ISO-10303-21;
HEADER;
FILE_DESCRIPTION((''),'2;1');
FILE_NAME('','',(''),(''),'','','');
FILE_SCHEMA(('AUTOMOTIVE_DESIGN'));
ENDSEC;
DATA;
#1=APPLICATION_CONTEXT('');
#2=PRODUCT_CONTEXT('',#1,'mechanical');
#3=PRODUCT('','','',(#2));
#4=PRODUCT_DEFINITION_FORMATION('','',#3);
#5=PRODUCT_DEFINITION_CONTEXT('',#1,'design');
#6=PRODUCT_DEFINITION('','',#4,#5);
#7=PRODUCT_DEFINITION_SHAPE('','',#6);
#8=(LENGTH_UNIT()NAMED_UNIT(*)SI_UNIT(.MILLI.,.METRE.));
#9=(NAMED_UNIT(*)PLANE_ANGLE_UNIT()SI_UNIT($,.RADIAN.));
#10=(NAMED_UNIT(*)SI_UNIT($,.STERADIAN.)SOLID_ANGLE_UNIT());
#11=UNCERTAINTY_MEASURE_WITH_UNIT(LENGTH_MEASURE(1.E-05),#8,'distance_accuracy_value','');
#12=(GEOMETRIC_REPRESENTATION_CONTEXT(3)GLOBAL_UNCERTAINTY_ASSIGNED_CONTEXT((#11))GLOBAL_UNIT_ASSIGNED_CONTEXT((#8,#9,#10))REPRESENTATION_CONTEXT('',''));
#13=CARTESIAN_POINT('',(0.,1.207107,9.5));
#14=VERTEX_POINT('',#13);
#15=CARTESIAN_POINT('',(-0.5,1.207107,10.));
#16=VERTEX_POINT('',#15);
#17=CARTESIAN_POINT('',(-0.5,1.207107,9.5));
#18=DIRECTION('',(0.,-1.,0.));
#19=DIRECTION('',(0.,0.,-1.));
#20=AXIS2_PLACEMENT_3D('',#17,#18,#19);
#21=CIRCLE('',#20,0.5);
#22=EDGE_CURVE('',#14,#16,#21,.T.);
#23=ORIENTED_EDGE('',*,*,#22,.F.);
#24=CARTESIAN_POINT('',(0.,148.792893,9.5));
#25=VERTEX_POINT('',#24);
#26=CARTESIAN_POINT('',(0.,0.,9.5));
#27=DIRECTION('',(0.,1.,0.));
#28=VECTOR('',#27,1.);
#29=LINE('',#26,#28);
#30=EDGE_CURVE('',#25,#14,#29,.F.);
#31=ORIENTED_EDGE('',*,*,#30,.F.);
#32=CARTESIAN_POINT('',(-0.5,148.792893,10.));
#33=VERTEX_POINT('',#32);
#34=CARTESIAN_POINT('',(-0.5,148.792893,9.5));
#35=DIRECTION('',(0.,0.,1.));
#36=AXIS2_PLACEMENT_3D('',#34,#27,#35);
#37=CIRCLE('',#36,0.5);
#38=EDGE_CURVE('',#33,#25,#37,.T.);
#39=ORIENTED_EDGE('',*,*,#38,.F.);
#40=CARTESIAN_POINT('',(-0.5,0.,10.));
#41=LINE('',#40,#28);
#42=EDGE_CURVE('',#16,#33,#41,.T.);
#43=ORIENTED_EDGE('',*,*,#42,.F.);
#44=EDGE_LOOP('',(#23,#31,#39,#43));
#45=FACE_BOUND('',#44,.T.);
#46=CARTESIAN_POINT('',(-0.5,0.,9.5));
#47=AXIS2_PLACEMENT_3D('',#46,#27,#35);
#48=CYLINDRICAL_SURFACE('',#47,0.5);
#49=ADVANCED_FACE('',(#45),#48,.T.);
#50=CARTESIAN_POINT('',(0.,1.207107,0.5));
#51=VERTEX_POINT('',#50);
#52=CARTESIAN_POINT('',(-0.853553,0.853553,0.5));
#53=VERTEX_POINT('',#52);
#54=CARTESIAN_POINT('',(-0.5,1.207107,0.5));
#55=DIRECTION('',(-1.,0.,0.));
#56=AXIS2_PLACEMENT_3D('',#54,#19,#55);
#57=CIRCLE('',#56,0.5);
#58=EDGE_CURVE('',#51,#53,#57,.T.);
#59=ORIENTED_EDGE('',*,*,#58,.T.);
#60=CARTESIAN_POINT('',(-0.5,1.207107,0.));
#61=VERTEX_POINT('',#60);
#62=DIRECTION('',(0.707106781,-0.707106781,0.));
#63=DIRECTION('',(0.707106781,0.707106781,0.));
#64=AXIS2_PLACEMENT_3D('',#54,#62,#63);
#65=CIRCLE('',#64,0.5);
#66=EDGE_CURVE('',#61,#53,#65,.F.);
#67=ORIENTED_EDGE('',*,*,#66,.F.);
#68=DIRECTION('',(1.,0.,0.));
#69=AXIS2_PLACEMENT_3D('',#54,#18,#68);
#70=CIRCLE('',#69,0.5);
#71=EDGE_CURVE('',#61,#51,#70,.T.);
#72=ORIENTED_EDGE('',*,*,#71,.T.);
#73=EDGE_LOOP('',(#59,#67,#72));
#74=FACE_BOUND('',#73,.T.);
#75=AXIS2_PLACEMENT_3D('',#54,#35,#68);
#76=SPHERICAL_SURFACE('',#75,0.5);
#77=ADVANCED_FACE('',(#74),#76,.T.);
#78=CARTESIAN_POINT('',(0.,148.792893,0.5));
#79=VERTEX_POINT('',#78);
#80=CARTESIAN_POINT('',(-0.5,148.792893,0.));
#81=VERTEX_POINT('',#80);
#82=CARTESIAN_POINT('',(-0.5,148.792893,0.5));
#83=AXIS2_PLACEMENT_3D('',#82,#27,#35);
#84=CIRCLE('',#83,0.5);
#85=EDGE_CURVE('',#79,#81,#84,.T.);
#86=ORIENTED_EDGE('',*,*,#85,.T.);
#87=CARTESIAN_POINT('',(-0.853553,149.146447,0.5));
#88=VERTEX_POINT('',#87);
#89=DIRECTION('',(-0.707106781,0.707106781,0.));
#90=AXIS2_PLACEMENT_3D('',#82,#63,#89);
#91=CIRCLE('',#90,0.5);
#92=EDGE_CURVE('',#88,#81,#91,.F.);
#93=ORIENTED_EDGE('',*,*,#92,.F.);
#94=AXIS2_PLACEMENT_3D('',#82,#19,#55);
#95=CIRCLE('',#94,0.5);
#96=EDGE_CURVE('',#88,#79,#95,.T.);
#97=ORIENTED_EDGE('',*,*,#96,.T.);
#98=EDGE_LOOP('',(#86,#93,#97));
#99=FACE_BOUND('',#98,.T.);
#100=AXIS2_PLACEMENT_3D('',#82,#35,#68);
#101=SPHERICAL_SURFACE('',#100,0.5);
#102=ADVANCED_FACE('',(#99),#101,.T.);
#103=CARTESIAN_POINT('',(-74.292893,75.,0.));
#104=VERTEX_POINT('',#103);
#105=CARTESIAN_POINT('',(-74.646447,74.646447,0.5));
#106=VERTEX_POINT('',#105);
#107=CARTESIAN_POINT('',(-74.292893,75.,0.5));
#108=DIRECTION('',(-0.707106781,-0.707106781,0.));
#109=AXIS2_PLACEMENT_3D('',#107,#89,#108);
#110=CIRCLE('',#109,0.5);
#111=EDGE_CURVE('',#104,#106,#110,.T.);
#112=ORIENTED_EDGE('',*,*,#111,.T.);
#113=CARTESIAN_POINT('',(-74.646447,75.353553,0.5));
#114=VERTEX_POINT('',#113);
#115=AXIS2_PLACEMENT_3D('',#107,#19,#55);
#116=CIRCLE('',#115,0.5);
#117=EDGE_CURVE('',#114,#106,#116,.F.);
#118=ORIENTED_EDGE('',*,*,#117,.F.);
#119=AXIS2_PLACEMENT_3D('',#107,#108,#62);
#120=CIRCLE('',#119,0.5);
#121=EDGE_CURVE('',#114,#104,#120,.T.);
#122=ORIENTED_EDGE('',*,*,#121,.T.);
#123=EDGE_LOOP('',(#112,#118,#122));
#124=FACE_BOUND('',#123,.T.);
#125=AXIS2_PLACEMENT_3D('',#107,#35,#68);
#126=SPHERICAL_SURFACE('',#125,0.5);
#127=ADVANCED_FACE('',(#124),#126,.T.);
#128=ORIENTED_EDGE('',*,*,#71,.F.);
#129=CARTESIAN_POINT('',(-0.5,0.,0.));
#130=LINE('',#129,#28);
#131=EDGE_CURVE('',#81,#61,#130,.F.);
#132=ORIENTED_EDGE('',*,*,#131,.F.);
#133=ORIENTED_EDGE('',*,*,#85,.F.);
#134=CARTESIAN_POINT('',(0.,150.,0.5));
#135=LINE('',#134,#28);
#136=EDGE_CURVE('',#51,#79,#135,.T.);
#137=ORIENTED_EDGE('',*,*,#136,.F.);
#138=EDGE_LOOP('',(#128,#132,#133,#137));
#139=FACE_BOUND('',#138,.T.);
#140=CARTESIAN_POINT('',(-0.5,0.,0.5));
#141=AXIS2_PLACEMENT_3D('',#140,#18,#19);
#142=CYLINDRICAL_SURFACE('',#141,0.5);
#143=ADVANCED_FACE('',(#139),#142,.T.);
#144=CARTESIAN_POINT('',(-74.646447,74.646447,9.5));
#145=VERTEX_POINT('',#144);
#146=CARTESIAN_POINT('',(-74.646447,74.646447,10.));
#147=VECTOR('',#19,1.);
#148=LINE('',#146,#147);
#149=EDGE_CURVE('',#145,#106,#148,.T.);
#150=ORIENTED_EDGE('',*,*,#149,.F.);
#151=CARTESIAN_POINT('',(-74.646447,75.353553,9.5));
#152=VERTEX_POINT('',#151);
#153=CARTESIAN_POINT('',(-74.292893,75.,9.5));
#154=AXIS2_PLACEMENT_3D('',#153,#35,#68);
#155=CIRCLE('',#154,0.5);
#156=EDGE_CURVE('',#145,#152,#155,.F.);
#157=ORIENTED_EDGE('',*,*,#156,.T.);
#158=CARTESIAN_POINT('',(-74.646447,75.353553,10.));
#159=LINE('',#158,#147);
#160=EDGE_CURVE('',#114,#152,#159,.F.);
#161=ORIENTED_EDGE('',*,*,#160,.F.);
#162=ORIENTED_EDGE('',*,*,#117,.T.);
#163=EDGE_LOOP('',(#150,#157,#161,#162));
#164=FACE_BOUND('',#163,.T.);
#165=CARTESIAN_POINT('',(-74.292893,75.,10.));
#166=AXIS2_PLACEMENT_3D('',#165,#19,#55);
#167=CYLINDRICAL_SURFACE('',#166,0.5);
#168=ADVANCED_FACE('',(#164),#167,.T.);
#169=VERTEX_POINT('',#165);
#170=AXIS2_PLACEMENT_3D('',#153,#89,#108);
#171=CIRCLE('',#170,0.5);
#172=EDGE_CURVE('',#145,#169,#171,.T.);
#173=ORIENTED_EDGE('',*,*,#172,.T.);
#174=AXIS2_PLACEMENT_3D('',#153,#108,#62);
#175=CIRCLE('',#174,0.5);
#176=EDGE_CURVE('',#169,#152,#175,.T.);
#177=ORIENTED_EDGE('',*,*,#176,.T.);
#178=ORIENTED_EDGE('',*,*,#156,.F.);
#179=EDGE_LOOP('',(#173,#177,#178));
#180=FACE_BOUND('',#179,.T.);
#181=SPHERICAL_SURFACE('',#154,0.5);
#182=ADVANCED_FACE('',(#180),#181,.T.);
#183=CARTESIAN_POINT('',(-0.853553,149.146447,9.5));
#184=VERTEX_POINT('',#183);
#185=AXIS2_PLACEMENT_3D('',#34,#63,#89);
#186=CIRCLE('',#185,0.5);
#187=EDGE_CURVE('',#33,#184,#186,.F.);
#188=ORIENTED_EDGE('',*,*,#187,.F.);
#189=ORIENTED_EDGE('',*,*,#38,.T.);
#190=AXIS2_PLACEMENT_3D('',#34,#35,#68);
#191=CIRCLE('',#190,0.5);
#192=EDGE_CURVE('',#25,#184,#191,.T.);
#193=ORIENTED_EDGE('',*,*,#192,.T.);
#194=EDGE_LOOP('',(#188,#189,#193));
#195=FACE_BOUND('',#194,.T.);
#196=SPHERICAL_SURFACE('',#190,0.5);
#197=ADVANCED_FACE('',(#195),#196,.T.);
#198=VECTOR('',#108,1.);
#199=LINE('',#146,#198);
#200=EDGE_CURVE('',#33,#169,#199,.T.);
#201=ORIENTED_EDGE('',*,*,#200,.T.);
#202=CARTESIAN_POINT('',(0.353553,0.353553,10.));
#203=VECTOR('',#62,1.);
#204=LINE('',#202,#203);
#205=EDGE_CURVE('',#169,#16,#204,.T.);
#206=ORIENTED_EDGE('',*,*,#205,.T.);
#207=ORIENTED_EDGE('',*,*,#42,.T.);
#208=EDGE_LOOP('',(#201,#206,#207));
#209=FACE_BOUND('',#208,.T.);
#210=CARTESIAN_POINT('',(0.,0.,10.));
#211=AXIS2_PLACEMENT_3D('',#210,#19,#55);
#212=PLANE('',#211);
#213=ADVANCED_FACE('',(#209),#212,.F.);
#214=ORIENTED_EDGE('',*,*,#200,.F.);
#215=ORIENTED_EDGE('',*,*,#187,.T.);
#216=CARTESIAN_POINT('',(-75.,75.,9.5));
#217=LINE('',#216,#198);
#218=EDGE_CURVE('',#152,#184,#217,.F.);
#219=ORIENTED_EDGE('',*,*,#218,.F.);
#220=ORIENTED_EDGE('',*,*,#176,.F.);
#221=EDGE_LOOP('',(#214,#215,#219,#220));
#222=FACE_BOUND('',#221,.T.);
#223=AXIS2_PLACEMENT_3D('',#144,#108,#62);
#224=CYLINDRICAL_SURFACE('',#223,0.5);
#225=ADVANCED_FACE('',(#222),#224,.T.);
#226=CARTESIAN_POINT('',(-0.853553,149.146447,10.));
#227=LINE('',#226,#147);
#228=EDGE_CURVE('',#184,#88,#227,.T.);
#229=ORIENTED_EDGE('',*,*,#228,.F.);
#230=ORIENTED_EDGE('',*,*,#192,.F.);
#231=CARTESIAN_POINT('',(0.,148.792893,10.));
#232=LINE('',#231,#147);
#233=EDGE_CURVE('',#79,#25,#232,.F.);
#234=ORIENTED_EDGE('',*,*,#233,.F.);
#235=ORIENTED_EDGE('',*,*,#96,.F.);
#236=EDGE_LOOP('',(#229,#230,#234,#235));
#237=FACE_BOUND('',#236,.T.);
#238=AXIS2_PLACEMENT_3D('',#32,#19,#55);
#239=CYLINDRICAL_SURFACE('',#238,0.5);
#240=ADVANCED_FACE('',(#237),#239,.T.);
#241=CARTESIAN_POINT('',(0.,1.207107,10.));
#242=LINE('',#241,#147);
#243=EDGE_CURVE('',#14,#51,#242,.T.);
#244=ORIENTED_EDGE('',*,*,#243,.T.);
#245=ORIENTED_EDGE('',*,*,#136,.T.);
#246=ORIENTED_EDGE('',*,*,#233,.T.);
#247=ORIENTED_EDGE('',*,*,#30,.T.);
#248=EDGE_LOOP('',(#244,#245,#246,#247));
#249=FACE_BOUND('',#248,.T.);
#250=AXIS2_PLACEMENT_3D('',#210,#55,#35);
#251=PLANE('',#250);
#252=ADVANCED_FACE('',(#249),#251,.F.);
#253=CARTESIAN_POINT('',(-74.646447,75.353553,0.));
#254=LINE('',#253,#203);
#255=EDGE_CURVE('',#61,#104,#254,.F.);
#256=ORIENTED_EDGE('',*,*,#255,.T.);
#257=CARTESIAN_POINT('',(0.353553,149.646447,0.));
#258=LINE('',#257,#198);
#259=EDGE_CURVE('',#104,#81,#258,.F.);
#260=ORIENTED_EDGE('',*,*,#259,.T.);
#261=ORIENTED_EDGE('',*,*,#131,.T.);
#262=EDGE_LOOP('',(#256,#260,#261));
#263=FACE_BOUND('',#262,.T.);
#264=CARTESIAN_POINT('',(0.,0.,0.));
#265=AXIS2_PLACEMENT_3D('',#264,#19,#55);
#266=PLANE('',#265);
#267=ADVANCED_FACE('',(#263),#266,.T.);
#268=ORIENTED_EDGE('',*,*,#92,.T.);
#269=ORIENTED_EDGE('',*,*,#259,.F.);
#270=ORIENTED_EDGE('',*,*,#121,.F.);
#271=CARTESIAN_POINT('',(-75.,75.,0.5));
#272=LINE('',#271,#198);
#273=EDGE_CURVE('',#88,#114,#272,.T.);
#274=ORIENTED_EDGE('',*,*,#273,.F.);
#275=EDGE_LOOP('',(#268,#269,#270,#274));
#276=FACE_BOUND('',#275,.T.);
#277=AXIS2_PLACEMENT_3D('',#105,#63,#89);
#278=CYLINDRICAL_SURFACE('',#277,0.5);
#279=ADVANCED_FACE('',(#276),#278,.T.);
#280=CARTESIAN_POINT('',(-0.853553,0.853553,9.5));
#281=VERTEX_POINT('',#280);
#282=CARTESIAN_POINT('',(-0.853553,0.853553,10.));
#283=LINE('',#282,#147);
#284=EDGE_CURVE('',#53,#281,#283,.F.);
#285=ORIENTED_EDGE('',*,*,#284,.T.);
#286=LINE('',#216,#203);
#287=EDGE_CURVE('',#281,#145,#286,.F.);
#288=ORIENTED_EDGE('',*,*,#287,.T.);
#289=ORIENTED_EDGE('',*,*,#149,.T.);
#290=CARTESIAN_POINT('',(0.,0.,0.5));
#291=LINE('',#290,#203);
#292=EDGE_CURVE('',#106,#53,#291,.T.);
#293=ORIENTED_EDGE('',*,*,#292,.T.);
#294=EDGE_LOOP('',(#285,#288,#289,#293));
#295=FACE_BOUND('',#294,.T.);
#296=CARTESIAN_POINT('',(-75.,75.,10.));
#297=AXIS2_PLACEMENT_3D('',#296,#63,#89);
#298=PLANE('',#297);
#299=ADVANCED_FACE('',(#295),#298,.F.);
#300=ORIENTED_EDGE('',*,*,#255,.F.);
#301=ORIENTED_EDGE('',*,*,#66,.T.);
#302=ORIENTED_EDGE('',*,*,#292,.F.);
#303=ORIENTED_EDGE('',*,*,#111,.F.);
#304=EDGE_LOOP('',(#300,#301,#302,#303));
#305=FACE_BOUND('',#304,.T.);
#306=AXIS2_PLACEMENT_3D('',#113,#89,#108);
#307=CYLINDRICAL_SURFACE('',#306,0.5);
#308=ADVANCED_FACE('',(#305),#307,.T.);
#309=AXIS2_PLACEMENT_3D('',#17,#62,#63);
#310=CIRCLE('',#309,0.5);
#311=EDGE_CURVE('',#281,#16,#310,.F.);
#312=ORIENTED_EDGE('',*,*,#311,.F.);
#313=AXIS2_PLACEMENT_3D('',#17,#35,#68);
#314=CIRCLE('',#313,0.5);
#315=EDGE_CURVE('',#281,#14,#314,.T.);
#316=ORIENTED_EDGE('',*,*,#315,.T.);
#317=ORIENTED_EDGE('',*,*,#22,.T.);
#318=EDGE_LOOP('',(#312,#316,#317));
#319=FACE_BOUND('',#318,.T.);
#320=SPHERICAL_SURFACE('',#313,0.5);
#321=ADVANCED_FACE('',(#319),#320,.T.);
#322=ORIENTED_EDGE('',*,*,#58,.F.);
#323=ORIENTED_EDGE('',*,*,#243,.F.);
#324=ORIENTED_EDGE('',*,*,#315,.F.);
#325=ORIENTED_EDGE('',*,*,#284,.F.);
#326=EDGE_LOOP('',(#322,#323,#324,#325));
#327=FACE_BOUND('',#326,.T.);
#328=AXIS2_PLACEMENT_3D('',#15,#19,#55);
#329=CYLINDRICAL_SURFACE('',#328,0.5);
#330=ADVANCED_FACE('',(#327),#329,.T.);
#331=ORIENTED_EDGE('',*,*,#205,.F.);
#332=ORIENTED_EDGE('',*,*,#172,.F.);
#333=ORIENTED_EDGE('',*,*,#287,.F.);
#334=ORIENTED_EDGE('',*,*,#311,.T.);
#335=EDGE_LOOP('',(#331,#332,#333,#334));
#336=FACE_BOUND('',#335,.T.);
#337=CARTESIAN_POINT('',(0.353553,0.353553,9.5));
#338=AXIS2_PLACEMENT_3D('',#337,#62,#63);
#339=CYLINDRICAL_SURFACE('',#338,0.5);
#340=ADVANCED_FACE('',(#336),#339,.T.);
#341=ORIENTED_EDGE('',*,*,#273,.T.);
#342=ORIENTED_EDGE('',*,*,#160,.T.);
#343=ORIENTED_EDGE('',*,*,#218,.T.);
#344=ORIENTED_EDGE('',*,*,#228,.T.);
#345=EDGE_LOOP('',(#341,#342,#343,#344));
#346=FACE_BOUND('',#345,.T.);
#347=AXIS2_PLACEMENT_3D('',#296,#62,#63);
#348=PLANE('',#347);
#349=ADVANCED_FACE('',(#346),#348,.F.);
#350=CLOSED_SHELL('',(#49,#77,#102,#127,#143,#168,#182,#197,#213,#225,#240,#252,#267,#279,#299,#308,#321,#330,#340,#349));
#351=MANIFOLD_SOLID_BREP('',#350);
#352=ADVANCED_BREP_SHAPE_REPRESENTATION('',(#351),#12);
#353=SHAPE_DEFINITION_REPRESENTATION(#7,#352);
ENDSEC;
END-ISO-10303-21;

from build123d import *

# Parameters (mm, degrees)
EXTRUDE_1_DEPTH = 10
FILLET_1_R      = 0.5


with BuildPart() as part:
    # 草图1 → 凸台-拉伸1 (new body)
    with BuildSketch(Plane.XY):
        Polygon((0, 0), (0, 150), (-75, 75), align=None)
    extrude(amount=EXTRUDE_1_DEPTH)

    # 圆角1
    fillet_1_edges = [part.edges().sort_by_distance(p)[0] for p in [
        (0, 75, 10),
        (0, 75, 0),
        (-37.5, 112.5, 10),
        (-37.5, 37.5, 0),
        (-37.5, 112.5, 0),
        (0, 150, 5),
        (0, 0, 5),
        (-75, 75, 5),
        (-37.5, 37.5, 10),
    ]]
    fillet(fillet_1_edges, radius=FILLET_1_R)


solid = part.part
